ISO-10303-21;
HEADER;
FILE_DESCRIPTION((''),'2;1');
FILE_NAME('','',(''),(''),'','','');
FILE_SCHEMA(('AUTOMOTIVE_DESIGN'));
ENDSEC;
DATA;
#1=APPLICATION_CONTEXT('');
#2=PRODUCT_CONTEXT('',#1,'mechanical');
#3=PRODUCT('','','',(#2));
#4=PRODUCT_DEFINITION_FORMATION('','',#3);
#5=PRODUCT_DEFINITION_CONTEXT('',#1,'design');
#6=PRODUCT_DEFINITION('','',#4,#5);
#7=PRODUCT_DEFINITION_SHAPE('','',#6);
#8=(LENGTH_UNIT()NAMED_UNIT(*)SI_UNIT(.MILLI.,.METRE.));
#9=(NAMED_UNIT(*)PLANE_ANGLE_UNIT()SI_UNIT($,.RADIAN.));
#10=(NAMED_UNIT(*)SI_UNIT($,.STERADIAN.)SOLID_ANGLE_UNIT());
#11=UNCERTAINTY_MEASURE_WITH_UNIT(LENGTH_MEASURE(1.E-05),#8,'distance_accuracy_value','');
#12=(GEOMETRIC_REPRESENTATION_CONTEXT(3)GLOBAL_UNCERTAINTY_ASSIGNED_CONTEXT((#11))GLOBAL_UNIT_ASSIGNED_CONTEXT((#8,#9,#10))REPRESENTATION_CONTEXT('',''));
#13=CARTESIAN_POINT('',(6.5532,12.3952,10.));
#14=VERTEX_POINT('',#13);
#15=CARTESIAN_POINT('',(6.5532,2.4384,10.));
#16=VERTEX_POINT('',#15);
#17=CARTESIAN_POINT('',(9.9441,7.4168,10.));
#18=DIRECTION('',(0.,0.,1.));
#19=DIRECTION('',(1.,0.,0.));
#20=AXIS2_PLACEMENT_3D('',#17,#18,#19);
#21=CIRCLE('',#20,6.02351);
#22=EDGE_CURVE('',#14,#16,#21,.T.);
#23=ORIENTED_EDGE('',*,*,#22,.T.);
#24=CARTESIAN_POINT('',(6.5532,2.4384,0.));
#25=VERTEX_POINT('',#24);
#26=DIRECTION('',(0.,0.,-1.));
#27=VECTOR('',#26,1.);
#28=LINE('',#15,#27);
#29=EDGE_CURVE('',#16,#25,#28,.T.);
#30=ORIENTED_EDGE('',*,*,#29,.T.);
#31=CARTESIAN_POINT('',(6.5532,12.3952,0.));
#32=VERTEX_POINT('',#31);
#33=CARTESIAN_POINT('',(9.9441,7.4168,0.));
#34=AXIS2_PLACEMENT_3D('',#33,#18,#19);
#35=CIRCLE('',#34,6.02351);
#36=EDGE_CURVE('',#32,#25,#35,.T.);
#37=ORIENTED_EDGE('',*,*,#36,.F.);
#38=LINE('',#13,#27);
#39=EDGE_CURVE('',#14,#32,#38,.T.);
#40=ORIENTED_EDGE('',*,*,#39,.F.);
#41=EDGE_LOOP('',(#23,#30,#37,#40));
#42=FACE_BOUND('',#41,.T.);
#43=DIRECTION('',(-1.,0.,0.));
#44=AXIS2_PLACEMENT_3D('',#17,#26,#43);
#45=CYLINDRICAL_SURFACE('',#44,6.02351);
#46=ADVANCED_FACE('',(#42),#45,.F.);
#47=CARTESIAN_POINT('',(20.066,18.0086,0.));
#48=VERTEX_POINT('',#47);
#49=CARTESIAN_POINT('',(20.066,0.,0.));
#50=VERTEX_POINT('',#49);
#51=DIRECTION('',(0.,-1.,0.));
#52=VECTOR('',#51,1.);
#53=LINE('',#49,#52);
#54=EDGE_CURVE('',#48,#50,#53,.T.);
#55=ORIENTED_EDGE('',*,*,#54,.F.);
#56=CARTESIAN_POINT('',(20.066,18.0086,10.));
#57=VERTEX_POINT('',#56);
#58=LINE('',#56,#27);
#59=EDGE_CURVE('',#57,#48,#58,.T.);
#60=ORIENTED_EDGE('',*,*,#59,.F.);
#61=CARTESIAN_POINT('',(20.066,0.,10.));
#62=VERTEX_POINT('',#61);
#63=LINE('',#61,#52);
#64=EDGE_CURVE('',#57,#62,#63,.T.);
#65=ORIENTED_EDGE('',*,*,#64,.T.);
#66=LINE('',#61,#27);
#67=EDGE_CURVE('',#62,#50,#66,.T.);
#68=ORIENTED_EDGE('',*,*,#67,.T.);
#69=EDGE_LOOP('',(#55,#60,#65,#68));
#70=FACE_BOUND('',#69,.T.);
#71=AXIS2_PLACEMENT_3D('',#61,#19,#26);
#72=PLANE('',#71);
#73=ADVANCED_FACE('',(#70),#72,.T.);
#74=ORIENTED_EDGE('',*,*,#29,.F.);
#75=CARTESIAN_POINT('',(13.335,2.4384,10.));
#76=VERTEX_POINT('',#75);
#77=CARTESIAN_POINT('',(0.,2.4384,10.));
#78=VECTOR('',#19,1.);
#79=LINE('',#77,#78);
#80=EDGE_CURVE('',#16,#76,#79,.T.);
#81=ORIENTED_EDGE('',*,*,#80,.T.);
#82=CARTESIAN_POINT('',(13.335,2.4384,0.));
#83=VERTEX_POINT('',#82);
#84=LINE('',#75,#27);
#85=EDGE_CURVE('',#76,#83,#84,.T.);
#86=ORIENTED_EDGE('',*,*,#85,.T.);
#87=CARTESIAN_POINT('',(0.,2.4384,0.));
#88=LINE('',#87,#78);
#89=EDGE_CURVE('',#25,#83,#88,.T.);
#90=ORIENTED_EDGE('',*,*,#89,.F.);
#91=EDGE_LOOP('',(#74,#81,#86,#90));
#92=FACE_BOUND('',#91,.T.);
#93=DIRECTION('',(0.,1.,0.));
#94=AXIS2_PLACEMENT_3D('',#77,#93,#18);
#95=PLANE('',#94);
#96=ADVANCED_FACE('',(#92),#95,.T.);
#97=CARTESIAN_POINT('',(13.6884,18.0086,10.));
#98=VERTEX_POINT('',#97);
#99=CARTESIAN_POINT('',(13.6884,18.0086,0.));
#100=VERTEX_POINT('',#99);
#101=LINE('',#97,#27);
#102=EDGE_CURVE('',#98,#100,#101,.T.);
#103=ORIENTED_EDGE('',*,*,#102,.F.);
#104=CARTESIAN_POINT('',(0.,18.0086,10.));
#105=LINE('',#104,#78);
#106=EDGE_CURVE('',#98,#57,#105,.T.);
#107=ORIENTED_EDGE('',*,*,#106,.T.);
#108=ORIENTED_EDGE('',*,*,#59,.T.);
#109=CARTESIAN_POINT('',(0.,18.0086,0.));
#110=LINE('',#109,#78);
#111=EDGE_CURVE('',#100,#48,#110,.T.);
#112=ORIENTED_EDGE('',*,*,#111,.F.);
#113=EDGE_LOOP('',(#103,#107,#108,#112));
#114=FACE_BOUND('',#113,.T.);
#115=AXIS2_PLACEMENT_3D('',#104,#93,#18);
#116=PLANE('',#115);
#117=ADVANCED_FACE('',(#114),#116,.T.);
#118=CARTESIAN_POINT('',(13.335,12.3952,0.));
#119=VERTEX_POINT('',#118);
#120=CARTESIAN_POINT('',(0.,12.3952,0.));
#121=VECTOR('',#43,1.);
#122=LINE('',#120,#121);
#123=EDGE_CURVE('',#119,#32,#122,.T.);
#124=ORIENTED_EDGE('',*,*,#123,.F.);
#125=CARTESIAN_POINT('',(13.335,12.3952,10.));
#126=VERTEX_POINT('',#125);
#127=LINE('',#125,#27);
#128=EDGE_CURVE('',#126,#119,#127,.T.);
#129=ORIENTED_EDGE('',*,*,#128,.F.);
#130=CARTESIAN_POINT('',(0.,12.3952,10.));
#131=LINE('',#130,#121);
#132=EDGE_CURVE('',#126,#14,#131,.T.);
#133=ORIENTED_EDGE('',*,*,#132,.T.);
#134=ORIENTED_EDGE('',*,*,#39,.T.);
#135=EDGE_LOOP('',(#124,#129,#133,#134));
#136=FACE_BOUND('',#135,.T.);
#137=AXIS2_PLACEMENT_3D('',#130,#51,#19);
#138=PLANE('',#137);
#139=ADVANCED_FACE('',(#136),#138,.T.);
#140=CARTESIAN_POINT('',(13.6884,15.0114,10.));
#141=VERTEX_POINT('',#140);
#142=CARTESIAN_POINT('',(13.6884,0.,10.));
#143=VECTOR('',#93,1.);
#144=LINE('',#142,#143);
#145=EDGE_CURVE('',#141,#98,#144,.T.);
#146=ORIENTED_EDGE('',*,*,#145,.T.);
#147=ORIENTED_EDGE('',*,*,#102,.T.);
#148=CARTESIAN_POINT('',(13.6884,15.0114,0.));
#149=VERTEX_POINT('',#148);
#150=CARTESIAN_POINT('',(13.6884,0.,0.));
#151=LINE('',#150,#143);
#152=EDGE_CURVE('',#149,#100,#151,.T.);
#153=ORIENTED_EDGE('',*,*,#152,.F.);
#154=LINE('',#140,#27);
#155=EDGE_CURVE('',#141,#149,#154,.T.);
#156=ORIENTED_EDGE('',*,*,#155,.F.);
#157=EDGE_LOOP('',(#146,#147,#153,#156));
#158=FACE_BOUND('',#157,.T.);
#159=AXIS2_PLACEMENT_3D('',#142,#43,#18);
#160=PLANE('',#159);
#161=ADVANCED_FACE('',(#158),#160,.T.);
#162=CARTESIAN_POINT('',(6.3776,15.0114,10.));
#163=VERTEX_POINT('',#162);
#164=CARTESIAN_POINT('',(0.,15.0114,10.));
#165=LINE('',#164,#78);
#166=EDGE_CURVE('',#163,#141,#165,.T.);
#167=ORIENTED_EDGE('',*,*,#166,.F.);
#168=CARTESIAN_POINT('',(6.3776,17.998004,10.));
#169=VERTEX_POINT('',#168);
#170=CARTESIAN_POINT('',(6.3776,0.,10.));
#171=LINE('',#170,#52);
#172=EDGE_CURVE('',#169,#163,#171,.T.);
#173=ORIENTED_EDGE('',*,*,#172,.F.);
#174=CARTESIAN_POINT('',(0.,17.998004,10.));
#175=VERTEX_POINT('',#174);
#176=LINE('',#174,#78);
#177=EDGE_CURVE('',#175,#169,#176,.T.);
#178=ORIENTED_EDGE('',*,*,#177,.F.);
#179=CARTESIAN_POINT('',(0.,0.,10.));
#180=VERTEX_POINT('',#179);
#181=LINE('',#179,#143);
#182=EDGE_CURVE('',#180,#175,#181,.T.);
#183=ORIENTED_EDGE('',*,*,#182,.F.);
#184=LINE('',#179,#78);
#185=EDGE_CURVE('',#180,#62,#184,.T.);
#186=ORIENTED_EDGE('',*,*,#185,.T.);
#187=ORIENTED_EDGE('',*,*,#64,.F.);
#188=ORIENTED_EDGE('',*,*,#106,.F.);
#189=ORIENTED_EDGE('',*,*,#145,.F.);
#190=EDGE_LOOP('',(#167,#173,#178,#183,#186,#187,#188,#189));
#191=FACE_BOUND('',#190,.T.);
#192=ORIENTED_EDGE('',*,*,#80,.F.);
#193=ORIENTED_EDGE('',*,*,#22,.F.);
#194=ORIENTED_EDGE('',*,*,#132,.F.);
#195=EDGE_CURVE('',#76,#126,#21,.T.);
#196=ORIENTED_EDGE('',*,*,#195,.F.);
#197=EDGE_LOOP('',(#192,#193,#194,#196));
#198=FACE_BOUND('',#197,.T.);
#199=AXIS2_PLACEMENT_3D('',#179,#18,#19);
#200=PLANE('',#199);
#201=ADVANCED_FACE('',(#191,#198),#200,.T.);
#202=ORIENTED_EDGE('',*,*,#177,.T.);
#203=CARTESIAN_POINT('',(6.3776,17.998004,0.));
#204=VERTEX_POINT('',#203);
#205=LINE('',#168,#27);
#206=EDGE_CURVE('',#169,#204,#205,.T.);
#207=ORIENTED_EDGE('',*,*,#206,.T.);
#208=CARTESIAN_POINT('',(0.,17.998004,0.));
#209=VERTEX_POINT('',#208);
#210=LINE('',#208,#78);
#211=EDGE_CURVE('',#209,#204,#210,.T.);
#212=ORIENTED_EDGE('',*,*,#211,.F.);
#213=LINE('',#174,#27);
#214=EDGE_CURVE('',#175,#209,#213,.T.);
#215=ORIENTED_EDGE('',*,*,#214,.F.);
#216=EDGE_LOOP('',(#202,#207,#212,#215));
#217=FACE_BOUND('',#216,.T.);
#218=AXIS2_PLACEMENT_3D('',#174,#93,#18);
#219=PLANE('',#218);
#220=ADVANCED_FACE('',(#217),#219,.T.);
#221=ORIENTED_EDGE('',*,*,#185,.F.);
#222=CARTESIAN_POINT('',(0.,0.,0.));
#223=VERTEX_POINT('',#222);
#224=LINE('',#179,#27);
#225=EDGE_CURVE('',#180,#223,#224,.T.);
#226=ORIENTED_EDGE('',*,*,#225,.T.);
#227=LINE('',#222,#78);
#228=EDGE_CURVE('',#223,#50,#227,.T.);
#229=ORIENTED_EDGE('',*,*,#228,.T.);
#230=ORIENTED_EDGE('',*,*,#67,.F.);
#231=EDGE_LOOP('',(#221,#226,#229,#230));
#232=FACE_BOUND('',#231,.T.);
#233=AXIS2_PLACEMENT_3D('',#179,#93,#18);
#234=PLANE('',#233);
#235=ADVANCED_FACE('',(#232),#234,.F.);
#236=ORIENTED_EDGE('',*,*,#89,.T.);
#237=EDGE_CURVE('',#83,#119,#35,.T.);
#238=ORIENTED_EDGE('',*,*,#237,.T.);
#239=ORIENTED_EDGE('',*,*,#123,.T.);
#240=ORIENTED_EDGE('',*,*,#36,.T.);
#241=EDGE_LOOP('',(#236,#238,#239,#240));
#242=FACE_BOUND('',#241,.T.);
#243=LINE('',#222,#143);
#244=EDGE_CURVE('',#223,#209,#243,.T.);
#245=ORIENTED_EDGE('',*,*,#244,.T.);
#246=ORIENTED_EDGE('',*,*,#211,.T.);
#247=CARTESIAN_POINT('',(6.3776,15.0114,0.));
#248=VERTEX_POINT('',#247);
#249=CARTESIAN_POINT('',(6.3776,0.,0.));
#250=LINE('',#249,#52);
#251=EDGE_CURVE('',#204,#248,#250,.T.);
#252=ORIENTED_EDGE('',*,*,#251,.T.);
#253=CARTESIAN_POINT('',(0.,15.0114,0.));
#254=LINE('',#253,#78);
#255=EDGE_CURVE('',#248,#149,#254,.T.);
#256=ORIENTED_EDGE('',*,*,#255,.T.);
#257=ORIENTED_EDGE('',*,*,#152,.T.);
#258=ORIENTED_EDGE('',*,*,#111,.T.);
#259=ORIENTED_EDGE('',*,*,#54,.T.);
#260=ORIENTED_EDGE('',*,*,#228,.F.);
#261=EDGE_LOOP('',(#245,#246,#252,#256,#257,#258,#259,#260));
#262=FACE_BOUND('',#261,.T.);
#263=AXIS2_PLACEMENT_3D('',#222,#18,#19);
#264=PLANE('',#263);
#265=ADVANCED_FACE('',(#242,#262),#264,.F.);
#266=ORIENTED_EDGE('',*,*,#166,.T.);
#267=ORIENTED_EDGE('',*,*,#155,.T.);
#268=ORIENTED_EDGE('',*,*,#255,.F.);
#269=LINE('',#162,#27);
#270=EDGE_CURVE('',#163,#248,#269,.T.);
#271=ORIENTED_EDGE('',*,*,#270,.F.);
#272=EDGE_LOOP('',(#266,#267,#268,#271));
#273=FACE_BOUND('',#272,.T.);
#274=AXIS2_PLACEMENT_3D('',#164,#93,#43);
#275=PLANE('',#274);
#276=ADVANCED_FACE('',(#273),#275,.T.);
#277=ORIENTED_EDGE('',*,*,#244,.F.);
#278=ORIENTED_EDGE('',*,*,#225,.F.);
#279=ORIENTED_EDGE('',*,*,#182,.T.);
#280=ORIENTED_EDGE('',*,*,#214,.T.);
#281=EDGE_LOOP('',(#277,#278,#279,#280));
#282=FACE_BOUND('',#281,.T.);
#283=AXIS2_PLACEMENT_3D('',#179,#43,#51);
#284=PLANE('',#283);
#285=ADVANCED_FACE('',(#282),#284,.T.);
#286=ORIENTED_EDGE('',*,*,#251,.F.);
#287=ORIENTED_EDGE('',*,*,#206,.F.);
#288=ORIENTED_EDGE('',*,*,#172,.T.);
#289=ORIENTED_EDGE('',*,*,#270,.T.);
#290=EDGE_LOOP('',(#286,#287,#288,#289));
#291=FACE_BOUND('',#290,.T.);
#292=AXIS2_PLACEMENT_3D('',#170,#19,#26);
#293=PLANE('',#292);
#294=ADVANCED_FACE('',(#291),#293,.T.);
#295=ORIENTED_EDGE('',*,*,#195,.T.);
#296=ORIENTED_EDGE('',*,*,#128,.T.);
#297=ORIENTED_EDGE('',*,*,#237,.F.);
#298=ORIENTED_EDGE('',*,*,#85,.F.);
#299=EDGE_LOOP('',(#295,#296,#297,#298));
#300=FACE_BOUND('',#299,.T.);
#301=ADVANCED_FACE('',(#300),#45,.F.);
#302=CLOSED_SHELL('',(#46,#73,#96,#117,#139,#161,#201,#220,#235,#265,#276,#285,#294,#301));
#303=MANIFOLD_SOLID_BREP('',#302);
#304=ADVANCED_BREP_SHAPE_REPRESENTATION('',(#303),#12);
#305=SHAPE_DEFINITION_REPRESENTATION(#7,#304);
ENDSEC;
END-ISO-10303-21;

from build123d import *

# Parameters (mm, degrees)
BOSS_EXTRUDE1_DEPTH = 10


with BuildPart() as part:
    # Sketch1 → Boss-Extrude1 (new body)
    with BuildSketch(Plane.XY):
        Polygon((0, 15.0114), (0, 0), (20.066, 0), (20.066, 15.0114), (20.066, 18.0086), (13.6884, 18.0086), (13.6884, 15.0114), (6.3776, 15.0114), (6.3776, 17.998004192), (0, 17.998004192), align=None)
        with BuildLine():
            Line((6.5532, 12.3952), (9.9441, 12.3952))
            Line((9.9441, 12.3952), (13.335, 12.3952))
            ThreePointArc((13.335, 12.3952), (15.967609722, 7.4168), (13.335, 2.4384))
            Line((13.335, 2.4384), (9.9441, 2.4384))
            Line((9.9441, 2.4384), (6.5532, 2.4384))
            ThreePointArc((6.5532, 2.4384), (3.920590278, 7.4168), (6.5532, 12.3952))
        make_face(mode=Mode.SUBTRACT)
    extrude(amount=BOSS_EXTRUDE1_DEPTH)


solid = part.part
